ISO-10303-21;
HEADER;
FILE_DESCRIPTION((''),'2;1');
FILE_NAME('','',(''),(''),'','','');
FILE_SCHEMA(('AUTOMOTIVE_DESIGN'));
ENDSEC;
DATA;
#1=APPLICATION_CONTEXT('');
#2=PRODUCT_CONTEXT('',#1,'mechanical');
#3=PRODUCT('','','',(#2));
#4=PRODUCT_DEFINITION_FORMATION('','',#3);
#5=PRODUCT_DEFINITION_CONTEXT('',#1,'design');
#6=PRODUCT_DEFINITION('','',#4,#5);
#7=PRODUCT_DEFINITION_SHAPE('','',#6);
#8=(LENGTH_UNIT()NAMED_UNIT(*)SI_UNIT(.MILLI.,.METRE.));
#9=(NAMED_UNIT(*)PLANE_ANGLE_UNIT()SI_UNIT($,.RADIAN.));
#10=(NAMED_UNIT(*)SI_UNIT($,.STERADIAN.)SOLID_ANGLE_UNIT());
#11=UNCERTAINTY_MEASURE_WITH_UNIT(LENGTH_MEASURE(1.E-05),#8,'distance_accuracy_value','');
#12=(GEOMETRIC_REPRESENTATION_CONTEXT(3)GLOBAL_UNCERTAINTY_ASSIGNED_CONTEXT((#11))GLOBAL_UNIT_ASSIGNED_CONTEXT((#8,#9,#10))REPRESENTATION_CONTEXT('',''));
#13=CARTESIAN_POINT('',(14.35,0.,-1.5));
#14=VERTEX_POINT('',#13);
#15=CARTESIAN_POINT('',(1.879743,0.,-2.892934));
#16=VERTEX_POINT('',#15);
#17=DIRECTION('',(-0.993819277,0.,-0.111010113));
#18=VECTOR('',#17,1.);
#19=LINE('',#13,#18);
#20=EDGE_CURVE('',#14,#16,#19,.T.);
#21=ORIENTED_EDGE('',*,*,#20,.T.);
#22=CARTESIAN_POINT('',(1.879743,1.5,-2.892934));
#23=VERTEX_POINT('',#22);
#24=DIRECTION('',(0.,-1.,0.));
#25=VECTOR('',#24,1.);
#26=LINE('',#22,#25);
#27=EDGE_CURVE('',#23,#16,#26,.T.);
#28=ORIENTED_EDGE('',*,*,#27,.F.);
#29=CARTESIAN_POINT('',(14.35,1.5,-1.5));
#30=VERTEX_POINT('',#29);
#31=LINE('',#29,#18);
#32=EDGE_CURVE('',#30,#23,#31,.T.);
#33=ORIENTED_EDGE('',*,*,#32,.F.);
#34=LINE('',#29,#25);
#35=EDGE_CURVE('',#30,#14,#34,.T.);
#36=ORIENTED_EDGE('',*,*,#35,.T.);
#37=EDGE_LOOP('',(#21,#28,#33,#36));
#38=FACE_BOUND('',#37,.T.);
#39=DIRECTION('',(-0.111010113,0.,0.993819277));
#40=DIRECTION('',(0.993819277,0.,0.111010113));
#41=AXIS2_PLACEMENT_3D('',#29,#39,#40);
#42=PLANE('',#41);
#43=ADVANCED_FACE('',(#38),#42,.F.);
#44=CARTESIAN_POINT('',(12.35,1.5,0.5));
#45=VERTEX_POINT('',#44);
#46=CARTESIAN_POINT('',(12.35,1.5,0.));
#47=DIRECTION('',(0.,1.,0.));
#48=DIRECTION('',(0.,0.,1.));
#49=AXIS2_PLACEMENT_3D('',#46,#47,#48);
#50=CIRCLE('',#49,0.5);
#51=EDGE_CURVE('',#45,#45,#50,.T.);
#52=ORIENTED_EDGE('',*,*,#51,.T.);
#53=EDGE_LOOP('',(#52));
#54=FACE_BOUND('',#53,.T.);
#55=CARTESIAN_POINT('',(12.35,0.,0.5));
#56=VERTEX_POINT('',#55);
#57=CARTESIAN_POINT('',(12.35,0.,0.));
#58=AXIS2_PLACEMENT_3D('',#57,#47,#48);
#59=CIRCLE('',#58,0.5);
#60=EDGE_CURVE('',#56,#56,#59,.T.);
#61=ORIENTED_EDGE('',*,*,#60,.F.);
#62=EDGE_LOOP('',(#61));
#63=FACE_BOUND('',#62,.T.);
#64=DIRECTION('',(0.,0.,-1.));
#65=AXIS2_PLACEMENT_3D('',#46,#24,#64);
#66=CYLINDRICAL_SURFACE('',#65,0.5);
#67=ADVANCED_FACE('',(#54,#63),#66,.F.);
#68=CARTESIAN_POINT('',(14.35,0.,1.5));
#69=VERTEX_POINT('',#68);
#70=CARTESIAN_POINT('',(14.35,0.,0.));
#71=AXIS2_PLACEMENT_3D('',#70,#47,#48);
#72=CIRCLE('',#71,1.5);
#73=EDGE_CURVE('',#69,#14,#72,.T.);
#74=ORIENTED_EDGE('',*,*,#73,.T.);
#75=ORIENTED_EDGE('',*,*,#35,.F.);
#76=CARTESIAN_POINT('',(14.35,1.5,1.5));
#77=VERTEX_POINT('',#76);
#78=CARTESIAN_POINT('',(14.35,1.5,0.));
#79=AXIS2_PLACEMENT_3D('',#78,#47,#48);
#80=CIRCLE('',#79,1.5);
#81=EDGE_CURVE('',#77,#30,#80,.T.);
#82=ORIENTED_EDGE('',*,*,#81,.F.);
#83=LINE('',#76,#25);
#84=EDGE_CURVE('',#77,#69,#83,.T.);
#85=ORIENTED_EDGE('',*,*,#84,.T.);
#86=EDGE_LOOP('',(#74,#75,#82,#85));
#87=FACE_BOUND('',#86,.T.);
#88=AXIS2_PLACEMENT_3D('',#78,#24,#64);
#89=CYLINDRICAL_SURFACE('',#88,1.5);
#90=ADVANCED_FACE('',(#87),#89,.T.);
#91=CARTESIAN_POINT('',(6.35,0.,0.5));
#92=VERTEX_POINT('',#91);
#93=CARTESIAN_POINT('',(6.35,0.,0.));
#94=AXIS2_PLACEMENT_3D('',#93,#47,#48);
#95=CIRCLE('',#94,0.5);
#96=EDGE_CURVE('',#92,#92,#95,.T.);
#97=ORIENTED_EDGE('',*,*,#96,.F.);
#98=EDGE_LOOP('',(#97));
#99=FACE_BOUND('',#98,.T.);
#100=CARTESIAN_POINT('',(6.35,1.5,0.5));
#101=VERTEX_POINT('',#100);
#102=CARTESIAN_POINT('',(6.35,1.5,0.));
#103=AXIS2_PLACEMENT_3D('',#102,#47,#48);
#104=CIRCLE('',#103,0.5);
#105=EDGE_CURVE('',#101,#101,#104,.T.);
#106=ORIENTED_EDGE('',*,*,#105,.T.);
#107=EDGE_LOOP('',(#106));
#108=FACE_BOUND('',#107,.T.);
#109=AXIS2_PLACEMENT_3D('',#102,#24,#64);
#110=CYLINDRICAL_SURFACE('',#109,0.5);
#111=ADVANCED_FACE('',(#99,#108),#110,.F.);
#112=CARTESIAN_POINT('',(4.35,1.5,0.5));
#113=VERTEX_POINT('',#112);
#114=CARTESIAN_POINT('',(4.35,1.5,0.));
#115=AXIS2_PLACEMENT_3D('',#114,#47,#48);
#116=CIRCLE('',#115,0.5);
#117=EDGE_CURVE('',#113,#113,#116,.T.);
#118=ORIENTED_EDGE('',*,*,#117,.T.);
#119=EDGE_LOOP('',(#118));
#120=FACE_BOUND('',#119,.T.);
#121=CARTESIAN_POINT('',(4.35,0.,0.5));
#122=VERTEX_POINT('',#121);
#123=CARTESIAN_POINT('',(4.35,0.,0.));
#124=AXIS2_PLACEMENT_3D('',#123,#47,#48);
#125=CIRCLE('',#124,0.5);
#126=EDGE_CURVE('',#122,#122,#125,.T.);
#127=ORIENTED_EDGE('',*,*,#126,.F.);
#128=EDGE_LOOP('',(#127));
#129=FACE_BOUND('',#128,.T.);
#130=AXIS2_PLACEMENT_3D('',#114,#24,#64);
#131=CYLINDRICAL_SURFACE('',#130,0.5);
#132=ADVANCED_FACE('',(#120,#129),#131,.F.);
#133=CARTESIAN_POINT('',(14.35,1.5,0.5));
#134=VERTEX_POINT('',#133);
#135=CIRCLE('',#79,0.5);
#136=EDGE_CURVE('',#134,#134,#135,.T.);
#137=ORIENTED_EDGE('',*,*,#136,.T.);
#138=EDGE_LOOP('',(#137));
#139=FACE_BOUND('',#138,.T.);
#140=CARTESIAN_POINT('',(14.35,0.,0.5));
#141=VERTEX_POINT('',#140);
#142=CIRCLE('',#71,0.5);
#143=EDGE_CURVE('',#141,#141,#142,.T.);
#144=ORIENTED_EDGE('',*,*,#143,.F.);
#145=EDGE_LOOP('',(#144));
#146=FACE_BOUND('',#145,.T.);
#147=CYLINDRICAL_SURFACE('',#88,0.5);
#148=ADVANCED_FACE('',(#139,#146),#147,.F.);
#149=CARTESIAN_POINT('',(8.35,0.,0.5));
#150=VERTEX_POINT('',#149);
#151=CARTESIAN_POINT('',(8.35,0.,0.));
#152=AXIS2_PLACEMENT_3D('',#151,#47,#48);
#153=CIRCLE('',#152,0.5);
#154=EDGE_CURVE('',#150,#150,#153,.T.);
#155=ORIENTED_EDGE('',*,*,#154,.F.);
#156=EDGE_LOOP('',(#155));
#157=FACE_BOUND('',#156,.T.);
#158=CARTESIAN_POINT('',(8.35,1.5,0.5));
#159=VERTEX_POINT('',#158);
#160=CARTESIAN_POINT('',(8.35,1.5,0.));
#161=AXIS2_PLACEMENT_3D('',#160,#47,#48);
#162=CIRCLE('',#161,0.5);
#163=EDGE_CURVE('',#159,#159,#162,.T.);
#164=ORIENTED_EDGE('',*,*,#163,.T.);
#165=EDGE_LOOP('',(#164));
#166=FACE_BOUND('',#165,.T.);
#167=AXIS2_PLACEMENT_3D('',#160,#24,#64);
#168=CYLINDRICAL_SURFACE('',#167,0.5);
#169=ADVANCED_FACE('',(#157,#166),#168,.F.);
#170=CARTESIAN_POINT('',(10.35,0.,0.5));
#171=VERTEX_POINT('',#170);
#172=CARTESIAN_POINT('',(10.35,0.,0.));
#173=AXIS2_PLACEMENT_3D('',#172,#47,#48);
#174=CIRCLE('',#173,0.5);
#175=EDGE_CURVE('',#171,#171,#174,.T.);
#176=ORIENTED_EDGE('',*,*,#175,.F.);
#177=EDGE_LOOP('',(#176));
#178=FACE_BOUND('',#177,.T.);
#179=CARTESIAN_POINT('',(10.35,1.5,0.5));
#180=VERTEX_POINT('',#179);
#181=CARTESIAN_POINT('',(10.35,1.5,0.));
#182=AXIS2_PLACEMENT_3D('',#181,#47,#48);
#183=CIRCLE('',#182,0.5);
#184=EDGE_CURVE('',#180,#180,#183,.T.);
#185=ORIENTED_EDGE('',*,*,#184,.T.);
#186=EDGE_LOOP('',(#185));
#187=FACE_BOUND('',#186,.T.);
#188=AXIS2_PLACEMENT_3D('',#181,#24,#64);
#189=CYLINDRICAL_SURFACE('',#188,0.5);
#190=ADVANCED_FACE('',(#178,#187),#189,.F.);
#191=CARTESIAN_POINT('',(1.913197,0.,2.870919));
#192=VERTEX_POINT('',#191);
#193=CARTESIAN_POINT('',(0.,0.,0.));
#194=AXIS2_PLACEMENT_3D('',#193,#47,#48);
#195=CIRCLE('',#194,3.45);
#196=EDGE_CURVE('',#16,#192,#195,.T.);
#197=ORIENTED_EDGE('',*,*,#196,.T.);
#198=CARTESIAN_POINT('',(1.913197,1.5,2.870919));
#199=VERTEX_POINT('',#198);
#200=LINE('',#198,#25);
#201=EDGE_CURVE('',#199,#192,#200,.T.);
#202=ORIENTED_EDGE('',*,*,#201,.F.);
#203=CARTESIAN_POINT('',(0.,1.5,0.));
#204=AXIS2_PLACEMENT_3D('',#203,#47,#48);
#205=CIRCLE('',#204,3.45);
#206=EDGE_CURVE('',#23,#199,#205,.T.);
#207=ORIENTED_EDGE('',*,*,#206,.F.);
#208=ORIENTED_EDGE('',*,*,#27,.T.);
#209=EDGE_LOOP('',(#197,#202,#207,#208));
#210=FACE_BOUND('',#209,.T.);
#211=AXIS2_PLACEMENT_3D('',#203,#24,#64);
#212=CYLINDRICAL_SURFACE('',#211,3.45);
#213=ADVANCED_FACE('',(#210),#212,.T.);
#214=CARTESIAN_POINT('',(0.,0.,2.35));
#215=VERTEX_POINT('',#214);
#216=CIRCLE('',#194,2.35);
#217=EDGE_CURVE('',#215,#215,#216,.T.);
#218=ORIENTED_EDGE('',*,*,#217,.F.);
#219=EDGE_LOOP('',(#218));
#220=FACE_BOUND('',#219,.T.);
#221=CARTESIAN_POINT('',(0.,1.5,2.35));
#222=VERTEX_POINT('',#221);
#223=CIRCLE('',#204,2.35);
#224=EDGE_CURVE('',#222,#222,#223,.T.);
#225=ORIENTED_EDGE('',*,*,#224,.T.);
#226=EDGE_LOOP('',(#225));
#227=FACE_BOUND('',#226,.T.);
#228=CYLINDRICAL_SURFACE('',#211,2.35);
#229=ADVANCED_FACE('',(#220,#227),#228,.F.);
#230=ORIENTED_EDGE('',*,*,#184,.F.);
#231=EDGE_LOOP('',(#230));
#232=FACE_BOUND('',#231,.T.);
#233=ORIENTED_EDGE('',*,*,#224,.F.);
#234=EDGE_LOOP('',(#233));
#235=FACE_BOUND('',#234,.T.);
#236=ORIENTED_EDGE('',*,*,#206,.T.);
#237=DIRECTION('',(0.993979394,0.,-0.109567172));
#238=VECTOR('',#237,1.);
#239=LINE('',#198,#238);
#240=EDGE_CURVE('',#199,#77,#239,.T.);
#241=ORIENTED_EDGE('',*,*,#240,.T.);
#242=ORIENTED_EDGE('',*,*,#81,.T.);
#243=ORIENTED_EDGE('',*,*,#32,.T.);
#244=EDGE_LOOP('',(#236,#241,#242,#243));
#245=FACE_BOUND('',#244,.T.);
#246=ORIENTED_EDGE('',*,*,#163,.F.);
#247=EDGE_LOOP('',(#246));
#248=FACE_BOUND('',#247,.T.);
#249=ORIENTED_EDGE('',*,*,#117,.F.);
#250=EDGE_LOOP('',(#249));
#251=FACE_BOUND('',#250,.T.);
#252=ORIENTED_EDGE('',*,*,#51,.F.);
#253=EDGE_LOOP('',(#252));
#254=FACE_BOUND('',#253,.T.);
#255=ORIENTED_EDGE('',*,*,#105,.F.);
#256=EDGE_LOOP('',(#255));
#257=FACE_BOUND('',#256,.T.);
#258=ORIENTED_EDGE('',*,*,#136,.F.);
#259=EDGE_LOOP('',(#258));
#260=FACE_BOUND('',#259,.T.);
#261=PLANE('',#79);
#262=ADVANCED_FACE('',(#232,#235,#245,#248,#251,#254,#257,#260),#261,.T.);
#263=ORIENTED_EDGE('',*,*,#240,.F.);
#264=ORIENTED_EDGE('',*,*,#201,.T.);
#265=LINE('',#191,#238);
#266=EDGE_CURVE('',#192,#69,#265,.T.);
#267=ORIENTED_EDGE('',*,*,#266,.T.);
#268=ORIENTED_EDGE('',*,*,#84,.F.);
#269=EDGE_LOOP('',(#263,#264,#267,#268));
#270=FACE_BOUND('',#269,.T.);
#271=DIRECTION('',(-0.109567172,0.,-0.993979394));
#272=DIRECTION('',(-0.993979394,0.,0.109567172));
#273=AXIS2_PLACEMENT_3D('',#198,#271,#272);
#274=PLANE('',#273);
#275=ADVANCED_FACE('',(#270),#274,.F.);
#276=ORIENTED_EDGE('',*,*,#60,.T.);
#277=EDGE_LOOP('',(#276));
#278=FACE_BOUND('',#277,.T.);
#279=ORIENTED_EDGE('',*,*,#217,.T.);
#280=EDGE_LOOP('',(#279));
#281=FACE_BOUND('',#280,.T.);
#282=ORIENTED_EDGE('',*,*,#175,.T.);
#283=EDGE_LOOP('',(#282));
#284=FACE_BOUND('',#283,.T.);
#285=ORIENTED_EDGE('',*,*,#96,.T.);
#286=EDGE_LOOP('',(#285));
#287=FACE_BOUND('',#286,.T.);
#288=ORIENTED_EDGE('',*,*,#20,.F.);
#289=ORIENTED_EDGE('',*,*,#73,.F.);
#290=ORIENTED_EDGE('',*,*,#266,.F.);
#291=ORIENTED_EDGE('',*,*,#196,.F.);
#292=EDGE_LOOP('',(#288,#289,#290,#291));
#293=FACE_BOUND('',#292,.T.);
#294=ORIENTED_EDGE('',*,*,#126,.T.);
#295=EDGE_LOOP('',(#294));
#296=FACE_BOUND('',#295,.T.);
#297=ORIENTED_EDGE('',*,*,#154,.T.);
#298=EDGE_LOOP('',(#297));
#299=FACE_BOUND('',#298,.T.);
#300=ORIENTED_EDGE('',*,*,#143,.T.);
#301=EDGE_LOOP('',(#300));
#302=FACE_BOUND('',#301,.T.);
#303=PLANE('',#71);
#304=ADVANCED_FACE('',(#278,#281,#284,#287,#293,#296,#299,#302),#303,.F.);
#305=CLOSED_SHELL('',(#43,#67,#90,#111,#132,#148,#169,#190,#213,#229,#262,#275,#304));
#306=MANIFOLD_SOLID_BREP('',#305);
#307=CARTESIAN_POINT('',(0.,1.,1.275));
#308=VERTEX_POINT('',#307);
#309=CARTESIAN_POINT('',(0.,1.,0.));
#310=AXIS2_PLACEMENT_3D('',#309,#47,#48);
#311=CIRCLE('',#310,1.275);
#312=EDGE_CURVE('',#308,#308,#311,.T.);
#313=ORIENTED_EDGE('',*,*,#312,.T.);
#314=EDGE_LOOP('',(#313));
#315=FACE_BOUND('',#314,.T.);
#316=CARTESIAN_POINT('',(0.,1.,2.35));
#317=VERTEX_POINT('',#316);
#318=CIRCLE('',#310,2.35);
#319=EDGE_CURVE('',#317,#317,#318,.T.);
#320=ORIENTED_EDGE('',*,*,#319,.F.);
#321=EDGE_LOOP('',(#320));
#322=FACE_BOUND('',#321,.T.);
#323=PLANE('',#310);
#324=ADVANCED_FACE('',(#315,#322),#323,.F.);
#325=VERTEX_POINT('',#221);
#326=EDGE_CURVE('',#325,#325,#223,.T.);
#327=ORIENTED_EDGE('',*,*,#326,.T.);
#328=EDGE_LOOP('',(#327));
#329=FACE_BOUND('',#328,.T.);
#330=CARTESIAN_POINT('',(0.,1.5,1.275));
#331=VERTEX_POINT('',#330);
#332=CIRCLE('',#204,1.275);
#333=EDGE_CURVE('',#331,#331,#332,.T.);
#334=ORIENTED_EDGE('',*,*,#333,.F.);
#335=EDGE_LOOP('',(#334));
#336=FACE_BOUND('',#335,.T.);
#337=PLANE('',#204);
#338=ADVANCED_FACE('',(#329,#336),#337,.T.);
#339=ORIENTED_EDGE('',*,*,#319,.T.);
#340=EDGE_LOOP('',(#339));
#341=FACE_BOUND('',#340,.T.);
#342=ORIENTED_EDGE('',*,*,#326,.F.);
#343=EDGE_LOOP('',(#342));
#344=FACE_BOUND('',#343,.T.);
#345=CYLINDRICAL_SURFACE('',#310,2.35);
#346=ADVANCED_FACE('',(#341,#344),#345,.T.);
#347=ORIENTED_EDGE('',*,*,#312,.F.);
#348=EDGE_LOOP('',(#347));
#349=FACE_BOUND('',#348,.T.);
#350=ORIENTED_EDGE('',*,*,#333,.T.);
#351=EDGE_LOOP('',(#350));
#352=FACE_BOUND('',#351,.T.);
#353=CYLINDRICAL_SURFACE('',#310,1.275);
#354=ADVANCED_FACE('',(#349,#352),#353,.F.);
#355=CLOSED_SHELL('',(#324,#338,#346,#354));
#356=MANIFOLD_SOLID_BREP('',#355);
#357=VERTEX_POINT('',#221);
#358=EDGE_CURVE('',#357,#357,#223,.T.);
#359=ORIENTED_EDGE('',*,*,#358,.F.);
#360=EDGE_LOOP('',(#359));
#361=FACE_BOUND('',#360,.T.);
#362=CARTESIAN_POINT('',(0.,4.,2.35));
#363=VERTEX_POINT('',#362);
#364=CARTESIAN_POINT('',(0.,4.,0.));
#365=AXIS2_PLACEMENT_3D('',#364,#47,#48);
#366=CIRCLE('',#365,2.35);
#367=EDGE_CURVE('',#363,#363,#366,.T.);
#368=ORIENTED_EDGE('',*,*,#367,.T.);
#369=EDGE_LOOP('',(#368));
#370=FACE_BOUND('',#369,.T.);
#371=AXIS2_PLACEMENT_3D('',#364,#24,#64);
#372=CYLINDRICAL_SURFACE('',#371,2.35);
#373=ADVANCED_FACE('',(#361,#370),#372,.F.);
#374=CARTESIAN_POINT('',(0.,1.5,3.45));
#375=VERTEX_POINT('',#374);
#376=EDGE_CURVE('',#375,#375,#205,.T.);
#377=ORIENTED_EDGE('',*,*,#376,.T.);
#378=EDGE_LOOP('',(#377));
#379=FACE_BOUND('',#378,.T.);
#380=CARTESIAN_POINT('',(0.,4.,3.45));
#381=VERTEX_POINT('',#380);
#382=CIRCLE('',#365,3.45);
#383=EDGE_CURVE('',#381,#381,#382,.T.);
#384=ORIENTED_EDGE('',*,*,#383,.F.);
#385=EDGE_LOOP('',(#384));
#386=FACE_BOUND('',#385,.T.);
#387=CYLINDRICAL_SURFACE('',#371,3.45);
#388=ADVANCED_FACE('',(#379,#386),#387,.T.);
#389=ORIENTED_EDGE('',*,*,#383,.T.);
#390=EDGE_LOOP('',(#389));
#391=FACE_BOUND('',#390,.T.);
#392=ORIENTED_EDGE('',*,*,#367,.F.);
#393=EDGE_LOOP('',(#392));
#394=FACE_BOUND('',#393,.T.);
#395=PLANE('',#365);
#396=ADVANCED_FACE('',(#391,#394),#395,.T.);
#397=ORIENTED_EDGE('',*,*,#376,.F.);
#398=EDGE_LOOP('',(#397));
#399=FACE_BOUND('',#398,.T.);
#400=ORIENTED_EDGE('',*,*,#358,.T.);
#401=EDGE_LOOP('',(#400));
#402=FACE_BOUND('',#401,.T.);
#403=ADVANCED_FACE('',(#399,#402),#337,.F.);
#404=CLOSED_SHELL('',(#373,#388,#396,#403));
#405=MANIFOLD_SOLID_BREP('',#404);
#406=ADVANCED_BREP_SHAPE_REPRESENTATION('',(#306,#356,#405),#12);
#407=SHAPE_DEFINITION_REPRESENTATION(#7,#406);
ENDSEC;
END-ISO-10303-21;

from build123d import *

# Parameters (mm, degrees)
SKETCH1_R           = 2.35
SKETCH1_R_2         = 0.5
BOSS_EXTRUDE1_DEPTH = 1.5
SKETCH2_R           = 2.35
SKETCH2_R_2         = 1.275
BOSS_EXTRUDE3_DEPTH = 0.5
SKETCH2_7_R         = 3.45
SKETCH2_7_R_2       = 2.35
BOSS_EXTRUDE5_DEPTH = 2.5


with BuildPart() as part:
    # Sketch1 → Boss-Extrude1 (new body)
    with BuildSketch(Plane(origin=(0, 0, 0), x_dir=(1, 0, 0), z_dir=(0, 1, 0))):
        with BuildLine():
            Line((14.35, 1.5), (1.879742768, 2.892933999))
            ThreePointArc((1.879742768, 2.892933999), (-3.449941889, -0.020024107), (1.913197247, -2.870919068))
            Line((1.913197247, -2.870919068), (14.35, -1.5))
            ThreePointArc((14.35, -1.5), (15.85, 0), (14.35, 1.5))
        make_face()
        Circle(SKETCH1_R, mode=Mode.SUBTRACT)
        with Locations((12.35, 0)):
            Circle(SKETCH1_R_2, mode=Mode.SUBTRACT)
        with Locations((14.35, 0)):
            Circle(SKETCH1_R_2, mode=Mode.SUBTRACT)
        with Locations((10.35, 0)):
            Circle(SKETCH1_R_2, mode=Mode.SUBTRACT)
        with Locations((8.35, 0)):
            Circle(SKETCH1_R_2, mode=Mode.SUBTRACT)
        with Locations((6.35, 0)):
            Circle(SKETCH1_R_2, mode=Mode.SUBTRACT)
        with Locations((4.35, 0)):
            Circle(SKETCH1_R_2, mode=Mode.SUBTRACT)
    extrude(amount=BOSS_EXTRUDE1_DEPTH)


with BuildPart() as body_2:
    # Sketch2 → Boss-Extrude3 (new body)
    with BuildSketch(Plane(origin=(0, 1.5, 0), x_dir=(1, 0, 0), z_dir=(0, 1, 0))):
        Circle(SKETCH2_R)
        Circle(SKETCH2_R_2, mode=Mode.SUBTRACT)
    extrude(amount=-BOSS_EXTRUDE3_DEPTH)


with BuildPart() as body_3:
    # Sketch2<7> → Boss-Extrude5 (new body)
    with BuildSketch(Plane(origin=(0, 1.5, 0), x_dir=(1, 0, 0), z_dir=(0, 1, 0))):
        Circle(SKETCH2_7_R)
        Circle(SKETCH2_7_R_2, mode=Mode.SUBTRACT)
    extrude(amount=BOSS_EXTRUDE5_DEPTH)


solid = Compound([part.part, body_2.part, body_3.part])
